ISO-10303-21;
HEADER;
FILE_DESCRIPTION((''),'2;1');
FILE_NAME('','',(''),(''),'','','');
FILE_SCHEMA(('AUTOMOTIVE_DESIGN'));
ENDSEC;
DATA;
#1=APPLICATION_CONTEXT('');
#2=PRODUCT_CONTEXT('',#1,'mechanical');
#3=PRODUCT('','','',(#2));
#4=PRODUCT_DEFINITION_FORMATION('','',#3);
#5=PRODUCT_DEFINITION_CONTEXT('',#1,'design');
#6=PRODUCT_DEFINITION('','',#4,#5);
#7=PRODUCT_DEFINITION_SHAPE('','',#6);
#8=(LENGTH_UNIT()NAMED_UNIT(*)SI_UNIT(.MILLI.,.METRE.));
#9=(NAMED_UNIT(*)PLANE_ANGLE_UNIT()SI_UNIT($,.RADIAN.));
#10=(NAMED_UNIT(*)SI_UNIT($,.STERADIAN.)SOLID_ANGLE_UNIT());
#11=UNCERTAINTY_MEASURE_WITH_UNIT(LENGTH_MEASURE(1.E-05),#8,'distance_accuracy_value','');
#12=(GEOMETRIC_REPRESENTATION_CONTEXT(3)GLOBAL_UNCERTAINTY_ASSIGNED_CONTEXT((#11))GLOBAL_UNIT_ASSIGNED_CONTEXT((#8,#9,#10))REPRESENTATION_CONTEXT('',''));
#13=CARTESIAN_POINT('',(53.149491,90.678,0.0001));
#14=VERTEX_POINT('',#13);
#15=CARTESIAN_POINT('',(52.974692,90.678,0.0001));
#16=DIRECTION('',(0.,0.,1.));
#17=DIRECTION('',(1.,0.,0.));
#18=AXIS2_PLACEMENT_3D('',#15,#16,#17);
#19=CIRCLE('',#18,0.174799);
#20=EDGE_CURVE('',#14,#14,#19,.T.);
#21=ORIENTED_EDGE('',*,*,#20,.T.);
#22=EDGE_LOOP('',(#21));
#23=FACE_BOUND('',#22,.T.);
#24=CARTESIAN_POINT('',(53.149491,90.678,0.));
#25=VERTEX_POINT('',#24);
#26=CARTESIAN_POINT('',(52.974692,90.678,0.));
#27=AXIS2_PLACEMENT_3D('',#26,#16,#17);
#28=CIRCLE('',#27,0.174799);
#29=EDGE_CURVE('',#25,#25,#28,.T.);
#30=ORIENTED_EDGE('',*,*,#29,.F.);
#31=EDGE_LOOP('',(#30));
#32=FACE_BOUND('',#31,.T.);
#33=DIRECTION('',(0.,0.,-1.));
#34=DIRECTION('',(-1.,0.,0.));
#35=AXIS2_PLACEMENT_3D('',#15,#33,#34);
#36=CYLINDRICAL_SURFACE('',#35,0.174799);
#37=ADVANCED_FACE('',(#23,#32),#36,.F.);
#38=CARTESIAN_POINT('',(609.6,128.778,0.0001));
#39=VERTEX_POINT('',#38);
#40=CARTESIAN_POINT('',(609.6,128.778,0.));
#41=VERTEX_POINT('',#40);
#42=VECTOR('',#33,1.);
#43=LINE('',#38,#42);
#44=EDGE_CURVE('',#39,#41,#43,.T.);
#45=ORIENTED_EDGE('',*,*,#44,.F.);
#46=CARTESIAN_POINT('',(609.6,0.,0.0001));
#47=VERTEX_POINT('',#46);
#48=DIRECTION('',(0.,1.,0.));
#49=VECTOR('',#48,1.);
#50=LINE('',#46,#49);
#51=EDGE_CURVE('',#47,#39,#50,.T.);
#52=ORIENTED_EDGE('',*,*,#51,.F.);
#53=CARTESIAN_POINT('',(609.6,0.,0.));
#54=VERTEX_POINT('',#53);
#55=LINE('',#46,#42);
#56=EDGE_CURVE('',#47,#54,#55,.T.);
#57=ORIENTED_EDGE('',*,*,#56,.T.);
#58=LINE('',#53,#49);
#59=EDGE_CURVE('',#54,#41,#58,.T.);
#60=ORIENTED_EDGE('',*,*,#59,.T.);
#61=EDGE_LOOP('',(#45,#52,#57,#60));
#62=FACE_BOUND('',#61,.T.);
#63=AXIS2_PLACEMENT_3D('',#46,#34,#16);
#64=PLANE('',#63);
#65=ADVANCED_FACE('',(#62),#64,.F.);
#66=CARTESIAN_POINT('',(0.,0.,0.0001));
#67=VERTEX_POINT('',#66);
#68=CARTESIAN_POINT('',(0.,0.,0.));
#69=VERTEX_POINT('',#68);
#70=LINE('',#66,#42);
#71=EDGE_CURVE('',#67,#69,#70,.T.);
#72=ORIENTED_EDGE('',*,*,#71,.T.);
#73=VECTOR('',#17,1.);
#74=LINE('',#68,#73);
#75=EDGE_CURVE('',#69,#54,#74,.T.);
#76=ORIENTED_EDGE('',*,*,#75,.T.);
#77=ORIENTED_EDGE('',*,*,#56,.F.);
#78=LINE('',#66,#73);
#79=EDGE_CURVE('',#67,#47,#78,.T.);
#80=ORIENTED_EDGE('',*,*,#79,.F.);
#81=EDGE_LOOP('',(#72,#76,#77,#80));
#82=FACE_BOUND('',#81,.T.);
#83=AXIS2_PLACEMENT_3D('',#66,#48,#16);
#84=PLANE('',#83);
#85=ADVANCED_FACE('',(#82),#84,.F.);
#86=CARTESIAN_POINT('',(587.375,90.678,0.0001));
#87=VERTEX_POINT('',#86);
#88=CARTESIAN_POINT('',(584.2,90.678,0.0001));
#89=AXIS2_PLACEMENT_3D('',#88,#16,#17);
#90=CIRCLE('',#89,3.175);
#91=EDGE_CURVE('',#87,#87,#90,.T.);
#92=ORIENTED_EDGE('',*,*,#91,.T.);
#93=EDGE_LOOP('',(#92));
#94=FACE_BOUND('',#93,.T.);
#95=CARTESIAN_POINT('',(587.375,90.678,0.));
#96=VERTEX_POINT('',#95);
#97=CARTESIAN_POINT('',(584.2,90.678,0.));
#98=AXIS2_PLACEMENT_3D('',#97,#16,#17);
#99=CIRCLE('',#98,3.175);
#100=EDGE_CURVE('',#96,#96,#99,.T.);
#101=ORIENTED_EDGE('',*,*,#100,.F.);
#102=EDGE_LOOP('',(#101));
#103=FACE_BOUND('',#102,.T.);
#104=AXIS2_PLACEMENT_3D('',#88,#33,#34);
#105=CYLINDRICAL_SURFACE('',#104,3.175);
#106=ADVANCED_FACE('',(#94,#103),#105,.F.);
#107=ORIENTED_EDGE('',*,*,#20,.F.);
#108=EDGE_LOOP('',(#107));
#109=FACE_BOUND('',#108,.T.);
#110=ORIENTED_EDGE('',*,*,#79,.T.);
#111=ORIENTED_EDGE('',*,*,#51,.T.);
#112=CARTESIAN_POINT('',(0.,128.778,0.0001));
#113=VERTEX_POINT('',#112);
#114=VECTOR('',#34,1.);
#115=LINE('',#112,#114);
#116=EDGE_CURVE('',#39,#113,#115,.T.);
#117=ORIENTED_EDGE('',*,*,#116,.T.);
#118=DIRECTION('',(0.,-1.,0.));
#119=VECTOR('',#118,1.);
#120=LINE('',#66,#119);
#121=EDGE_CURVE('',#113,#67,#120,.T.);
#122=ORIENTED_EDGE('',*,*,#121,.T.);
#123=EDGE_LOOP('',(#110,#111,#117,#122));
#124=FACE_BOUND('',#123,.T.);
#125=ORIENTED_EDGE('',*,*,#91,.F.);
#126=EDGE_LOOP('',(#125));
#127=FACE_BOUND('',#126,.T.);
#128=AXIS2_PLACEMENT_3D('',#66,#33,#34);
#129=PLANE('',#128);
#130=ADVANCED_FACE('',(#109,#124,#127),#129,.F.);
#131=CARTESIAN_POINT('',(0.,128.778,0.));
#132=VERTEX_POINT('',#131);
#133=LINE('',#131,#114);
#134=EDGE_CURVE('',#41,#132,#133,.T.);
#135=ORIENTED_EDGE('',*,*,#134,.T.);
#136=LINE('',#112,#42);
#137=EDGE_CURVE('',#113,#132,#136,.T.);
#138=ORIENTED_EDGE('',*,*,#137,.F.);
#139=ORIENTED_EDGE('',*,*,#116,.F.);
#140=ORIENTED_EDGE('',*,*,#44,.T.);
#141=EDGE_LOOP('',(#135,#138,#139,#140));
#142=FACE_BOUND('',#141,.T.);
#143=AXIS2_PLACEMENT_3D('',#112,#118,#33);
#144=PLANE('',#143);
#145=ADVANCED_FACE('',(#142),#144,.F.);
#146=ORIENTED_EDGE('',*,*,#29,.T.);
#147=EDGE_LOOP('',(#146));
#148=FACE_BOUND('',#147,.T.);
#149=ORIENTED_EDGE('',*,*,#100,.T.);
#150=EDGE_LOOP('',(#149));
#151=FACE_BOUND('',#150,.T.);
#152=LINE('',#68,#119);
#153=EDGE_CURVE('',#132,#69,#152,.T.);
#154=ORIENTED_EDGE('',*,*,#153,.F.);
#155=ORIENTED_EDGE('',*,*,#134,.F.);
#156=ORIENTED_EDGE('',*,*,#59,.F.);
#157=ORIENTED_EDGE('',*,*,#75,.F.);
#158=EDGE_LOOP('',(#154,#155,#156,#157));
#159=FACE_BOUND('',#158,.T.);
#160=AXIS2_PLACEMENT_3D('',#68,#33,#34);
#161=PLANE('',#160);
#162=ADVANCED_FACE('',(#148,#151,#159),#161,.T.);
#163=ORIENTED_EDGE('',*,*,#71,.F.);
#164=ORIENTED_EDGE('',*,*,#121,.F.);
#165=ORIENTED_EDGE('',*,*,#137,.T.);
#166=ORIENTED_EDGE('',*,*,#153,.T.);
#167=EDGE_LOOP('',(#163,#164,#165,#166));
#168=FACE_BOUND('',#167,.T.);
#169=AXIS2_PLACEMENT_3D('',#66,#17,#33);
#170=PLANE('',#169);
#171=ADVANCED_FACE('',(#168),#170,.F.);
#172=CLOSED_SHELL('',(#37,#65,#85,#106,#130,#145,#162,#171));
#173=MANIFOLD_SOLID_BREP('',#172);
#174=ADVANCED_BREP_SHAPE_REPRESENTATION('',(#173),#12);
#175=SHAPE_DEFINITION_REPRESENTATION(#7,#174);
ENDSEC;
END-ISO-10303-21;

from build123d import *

# Parameters (mm, degrees)
SKETCH1_W           = 609.6
SKETCH1_H           = 128.778
SKETCH1_R           = 0.174798991
SKETCH1_R_2         = 3.175
BOSS_EXTRUDE1_DEPTH = 0.000100076


with BuildPart() as part:
    # Sketch1 → Boss-Extrude1 (new body)
    with BuildSketch(Plane.XY):
        with Locations((304.8, 64.389)):
            Rectangle(SKETCH1_W, SKETCH1_H)
        with Locations((52.974692136, 90.678)):
            Circle(SKETCH1_R, mode=Mode.SUBTRACT)
        with Locations((584.2, 90.678)):
            Circle(SKETCH1_R_2, mode=Mode.SUBTRACT)
    extrude(amount=BOSS_EXTRUDE1_DEPTH)


solid = part.part
